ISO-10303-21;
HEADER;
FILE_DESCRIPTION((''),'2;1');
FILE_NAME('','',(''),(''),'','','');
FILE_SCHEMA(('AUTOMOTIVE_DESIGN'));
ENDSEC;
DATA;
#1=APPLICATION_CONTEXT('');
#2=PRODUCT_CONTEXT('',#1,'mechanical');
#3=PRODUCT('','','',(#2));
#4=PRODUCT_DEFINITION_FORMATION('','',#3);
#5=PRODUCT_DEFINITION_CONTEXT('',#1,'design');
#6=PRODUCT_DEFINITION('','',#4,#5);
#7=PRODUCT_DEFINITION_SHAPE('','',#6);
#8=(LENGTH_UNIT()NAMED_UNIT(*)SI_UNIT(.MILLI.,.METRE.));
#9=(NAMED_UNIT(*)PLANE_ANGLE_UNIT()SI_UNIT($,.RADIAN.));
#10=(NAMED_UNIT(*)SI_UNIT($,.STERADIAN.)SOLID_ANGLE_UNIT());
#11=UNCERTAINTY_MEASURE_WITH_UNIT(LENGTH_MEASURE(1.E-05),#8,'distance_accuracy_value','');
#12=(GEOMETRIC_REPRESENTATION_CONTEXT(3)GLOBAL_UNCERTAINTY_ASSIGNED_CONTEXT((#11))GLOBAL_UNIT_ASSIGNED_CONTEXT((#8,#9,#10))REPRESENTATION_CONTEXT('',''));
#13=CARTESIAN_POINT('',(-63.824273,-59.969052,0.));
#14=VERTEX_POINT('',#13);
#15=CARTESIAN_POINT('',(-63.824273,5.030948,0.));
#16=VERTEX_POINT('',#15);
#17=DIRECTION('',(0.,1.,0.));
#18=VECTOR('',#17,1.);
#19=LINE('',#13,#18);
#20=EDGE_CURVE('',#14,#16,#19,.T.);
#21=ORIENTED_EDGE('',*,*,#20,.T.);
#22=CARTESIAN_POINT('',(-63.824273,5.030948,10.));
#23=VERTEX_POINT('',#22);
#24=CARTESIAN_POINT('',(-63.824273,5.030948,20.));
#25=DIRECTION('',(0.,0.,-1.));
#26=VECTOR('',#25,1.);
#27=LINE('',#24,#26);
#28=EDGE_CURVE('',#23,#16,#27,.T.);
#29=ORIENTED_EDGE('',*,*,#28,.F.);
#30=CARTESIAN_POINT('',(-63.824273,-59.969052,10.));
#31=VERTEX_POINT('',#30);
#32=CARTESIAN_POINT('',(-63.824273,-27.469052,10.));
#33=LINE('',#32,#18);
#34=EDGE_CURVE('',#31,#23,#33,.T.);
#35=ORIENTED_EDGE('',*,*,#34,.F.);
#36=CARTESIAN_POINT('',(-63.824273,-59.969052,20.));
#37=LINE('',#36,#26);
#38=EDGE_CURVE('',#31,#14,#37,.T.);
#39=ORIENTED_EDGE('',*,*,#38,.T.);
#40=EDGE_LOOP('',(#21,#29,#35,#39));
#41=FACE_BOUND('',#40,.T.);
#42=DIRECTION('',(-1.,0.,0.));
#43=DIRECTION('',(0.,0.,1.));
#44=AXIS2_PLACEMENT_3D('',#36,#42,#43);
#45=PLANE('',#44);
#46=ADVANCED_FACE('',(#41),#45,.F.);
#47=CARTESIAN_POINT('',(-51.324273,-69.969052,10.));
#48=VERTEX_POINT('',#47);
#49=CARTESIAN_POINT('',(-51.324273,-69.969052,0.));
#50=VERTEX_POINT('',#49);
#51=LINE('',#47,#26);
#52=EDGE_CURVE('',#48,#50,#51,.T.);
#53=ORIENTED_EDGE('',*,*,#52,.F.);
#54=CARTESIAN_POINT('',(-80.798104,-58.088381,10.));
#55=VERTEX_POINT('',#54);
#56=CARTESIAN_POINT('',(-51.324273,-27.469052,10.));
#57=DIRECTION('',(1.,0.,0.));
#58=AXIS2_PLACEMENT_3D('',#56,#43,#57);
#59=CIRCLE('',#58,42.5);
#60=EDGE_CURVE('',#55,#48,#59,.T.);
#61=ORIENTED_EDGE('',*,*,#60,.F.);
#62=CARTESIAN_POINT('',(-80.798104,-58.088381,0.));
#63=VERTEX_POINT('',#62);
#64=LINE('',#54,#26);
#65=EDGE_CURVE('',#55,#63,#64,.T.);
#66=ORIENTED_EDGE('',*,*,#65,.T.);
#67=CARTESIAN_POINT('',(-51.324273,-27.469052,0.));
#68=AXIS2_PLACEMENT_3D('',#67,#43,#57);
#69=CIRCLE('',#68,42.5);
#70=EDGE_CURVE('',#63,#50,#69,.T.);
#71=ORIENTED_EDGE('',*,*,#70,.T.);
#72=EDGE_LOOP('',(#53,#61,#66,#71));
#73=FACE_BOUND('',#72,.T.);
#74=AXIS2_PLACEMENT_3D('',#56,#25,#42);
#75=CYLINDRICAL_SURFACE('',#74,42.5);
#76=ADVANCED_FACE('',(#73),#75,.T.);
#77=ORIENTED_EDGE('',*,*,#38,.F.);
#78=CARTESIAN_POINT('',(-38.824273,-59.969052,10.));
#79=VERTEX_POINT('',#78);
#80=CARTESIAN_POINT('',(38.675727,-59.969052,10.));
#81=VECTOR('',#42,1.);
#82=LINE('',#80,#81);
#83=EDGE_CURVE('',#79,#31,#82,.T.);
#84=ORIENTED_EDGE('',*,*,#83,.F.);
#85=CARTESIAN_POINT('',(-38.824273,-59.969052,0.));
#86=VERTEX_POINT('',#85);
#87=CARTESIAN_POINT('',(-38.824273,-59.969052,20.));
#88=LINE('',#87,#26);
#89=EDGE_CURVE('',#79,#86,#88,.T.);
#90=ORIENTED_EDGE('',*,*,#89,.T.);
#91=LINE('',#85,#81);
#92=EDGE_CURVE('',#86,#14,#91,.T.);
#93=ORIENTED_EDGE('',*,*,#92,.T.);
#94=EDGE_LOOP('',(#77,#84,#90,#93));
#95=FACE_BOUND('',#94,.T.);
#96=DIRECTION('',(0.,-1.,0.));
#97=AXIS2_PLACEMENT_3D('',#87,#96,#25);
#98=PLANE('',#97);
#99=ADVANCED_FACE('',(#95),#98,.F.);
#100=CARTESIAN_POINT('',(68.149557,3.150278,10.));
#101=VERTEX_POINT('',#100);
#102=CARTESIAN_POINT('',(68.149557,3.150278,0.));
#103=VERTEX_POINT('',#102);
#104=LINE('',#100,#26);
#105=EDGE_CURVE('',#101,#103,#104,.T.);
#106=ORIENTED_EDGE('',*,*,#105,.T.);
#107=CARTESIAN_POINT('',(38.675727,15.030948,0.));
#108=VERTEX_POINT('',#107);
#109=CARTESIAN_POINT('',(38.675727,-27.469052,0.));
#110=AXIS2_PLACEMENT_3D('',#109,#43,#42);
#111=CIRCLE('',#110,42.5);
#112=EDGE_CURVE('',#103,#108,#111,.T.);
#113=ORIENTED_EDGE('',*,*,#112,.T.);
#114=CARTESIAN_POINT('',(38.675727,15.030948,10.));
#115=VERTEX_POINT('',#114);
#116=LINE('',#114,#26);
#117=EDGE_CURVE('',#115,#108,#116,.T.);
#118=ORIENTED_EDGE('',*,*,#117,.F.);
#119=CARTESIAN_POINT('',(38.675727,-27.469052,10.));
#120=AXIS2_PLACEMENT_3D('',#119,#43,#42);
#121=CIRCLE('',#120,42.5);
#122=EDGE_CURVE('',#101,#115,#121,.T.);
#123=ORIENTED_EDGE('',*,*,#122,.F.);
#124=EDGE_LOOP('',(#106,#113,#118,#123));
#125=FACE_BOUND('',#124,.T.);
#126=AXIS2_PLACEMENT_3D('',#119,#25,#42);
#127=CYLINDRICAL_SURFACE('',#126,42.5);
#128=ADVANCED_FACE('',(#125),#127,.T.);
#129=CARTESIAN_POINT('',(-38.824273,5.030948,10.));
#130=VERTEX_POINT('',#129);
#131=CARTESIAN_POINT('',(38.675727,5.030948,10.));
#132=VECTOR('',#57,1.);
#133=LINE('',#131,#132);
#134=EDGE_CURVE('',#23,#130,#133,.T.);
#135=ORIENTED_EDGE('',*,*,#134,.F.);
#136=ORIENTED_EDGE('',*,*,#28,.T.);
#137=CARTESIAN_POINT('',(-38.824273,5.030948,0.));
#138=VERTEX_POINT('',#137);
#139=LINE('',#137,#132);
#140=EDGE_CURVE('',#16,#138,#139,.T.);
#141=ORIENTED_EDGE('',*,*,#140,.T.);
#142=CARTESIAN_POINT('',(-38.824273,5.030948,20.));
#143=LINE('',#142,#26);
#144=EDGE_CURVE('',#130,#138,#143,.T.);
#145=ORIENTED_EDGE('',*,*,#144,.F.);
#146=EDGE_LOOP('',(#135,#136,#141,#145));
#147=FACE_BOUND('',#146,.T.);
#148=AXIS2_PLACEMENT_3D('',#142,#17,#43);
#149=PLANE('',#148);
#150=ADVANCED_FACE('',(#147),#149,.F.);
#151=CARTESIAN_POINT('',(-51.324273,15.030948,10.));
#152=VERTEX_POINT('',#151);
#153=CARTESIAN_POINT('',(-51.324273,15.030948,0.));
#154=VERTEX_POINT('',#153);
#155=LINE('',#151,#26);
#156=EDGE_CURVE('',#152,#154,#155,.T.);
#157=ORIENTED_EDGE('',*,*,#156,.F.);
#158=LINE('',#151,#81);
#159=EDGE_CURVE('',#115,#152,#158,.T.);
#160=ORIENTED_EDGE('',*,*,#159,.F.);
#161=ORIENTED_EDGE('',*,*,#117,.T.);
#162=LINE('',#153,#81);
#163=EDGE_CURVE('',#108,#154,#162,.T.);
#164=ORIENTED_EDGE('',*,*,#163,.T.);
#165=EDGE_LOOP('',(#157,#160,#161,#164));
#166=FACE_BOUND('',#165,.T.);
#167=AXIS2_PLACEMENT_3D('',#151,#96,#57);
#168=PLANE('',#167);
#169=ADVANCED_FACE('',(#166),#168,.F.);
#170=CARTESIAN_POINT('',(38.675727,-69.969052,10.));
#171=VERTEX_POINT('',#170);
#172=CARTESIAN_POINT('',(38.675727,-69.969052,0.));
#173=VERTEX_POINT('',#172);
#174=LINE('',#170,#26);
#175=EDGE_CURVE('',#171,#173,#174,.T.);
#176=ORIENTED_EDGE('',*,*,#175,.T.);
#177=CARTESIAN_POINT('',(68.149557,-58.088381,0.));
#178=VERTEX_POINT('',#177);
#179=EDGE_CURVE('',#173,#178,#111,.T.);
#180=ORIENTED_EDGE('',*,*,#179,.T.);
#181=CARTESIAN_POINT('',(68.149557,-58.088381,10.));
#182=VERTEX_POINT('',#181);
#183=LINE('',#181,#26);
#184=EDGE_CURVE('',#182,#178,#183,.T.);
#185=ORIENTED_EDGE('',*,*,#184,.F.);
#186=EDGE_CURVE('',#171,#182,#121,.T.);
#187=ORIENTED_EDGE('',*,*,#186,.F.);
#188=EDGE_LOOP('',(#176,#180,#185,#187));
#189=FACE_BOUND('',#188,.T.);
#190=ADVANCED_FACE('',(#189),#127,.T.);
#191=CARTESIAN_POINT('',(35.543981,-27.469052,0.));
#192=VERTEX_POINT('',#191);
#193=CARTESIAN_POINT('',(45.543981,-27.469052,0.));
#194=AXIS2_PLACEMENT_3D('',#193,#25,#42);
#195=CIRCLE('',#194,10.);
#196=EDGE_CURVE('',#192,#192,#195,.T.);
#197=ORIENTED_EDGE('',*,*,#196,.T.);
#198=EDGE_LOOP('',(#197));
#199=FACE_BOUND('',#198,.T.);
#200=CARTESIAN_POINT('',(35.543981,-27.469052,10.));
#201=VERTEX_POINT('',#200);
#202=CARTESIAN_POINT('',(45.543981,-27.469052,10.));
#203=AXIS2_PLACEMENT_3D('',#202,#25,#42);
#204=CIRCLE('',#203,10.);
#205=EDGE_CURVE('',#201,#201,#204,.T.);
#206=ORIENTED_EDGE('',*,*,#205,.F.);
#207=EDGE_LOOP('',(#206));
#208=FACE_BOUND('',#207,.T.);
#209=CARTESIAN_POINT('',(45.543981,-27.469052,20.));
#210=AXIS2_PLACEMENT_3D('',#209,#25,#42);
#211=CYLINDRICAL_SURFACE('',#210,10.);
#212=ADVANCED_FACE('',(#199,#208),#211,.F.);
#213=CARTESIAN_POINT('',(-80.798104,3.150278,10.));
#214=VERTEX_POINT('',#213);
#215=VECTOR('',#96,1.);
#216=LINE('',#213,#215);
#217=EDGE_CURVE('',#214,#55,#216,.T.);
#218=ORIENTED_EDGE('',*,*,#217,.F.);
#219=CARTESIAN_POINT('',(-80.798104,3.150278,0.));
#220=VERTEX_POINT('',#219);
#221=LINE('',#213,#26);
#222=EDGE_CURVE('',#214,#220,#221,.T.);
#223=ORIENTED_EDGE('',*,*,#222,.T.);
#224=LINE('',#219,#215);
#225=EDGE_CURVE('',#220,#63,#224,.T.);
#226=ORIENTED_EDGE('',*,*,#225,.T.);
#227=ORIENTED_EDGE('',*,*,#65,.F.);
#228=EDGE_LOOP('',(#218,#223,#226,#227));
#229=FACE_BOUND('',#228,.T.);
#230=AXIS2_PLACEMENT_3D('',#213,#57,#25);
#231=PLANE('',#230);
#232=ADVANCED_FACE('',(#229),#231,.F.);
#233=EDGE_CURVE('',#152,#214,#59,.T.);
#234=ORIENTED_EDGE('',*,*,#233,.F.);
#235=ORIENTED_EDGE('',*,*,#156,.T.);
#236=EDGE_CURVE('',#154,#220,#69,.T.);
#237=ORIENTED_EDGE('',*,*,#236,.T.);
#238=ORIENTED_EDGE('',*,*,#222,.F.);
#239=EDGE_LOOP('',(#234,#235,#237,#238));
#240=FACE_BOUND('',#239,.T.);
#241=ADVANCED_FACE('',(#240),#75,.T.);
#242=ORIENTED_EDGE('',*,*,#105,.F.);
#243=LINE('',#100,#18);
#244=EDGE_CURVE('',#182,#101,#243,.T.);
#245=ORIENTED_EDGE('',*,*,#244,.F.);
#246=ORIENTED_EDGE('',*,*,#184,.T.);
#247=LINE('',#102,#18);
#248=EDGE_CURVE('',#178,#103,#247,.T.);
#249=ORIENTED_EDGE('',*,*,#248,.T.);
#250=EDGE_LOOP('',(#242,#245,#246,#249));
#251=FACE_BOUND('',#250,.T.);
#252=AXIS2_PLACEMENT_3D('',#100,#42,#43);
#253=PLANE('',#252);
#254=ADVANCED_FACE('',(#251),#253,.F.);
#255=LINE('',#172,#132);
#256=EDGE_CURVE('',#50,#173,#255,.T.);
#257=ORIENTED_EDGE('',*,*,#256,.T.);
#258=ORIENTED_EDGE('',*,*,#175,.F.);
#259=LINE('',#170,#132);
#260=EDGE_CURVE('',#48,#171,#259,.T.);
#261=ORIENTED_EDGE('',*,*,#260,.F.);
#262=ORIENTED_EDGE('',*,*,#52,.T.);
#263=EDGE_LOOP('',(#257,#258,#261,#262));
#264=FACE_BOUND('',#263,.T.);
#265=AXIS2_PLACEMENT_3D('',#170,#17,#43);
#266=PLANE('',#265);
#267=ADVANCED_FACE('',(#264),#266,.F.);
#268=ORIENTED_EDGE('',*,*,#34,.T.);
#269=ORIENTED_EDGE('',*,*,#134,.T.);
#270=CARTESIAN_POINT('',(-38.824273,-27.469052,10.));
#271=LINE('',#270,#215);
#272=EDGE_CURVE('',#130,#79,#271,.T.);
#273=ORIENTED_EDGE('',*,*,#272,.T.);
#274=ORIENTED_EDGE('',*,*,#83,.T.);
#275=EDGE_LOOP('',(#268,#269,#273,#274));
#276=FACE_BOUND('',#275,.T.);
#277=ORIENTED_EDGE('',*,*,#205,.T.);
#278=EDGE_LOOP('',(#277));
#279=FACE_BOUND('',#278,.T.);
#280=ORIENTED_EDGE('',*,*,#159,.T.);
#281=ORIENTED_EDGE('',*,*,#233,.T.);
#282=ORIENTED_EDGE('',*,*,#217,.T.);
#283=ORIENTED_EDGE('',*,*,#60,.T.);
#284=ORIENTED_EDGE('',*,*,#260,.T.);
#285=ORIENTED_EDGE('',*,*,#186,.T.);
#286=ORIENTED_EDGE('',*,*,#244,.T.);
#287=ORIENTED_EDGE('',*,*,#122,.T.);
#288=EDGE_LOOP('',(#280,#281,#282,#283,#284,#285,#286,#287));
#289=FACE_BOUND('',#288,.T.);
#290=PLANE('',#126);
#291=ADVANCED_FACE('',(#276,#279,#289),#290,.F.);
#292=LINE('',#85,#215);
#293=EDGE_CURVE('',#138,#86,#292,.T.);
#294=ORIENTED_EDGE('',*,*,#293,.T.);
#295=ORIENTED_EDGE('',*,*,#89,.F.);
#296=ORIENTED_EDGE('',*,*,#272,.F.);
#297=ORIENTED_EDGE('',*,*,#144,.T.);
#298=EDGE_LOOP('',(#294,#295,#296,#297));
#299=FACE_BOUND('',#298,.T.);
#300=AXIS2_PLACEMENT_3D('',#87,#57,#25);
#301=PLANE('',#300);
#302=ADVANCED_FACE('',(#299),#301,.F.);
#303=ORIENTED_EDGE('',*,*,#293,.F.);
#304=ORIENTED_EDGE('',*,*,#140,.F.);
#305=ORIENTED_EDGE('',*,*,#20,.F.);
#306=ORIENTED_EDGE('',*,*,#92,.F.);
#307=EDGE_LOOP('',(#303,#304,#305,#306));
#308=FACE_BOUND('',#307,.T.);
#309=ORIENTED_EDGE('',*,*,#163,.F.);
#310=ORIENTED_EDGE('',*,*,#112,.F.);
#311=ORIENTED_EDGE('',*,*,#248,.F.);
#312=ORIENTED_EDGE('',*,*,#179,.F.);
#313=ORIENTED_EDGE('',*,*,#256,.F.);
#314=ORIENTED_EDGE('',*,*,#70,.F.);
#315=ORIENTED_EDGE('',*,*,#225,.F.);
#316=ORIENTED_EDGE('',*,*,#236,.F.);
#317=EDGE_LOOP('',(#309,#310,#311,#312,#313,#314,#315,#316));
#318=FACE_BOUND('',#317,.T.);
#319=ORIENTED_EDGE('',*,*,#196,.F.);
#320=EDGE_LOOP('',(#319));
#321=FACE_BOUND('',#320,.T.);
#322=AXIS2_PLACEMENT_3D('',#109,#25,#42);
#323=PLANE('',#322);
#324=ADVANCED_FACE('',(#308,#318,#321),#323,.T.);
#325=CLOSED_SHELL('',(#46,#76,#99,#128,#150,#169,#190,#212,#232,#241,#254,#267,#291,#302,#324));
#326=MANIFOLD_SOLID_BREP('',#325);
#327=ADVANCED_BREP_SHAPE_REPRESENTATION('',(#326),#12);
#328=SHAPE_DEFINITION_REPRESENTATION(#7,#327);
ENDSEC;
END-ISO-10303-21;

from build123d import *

# Parameters (mm, degrees)
BOSS_EXTRUDE1_DEPTH = 10
SKETCH2_W           = 25
SKETCH2_H           = 65
CUT_EXTRUDE2_DEPTH  = 20
SKETCH3_R           = 10
CUT_EXTRUDE3_DEPTH  = 20


with BuildPart() as part:
    # Sketch1 → Boss-Extrude1 (new body)
    with BuildSketch(Plane.XY):
        with BuildLine():
            Line((-80.798103543, 3.150277686), (-80.798103543, -58.088380877))
            ThreePointArc((-80.798103543, -58.088380877), (-67.213396938, -66.887140682), (-51.324273213, -69.969051596))
            Line((-51.324273213, -69.969051596), (38.675726787, -69.969051596))
            ThreePointArc((38.675726787, -69.969051596), (54.564850513, -66.887140682), (68.149557118, -58.088380877))
            Line((68.149557118, -58.088380877), (68.149557118, 3.150277686))
            ThreePointArc((68.149557118, 3.150277686), (54.564850513, 11.949037491), (38.675726787, 15.030948404))
            Line((38.675726787, 15.030948404), (-51.324273213, 15.030948404))
            ThreePointArc((-51.324273213, 15.030948404), (-67.213396938, 11.949037491), (-80.798103543, 3.150277686))
        make_face()
    extrude(amount=BOSS_EXTRUDE1_DEPTH)

    # Sketch2 → Cut-Extrude2 (cut)
    with BuildSketch(Plane(origin=(0, 0, 0), x_dir=(-1, 0, 0), z_dir=(0, 0, -1))):
        with Locations((51.324273213, -27.469051596)):
            Rectangle(SKETCH2_W, SKETCH2_H)
    extrude(amount=-CUT_EXTRUDE2_DEPTH, mode=Mode.SUBTRACT)

    # Sketch3 → Cut-Extrude3 (cut)
    with BuildSketch(Plane(origin=(0, 0, 0), x_dir=(-1, 0, 0), z_dir=(0, 0, -1))):
        with Locations((-45.543981451, -27.469051596)):
            Circle(SKETCH3_R)
    extrude(amount=-CUT_EXTRUDE3_DEPTH, mode=Mode.SUBTRACT)


solid = part.part
